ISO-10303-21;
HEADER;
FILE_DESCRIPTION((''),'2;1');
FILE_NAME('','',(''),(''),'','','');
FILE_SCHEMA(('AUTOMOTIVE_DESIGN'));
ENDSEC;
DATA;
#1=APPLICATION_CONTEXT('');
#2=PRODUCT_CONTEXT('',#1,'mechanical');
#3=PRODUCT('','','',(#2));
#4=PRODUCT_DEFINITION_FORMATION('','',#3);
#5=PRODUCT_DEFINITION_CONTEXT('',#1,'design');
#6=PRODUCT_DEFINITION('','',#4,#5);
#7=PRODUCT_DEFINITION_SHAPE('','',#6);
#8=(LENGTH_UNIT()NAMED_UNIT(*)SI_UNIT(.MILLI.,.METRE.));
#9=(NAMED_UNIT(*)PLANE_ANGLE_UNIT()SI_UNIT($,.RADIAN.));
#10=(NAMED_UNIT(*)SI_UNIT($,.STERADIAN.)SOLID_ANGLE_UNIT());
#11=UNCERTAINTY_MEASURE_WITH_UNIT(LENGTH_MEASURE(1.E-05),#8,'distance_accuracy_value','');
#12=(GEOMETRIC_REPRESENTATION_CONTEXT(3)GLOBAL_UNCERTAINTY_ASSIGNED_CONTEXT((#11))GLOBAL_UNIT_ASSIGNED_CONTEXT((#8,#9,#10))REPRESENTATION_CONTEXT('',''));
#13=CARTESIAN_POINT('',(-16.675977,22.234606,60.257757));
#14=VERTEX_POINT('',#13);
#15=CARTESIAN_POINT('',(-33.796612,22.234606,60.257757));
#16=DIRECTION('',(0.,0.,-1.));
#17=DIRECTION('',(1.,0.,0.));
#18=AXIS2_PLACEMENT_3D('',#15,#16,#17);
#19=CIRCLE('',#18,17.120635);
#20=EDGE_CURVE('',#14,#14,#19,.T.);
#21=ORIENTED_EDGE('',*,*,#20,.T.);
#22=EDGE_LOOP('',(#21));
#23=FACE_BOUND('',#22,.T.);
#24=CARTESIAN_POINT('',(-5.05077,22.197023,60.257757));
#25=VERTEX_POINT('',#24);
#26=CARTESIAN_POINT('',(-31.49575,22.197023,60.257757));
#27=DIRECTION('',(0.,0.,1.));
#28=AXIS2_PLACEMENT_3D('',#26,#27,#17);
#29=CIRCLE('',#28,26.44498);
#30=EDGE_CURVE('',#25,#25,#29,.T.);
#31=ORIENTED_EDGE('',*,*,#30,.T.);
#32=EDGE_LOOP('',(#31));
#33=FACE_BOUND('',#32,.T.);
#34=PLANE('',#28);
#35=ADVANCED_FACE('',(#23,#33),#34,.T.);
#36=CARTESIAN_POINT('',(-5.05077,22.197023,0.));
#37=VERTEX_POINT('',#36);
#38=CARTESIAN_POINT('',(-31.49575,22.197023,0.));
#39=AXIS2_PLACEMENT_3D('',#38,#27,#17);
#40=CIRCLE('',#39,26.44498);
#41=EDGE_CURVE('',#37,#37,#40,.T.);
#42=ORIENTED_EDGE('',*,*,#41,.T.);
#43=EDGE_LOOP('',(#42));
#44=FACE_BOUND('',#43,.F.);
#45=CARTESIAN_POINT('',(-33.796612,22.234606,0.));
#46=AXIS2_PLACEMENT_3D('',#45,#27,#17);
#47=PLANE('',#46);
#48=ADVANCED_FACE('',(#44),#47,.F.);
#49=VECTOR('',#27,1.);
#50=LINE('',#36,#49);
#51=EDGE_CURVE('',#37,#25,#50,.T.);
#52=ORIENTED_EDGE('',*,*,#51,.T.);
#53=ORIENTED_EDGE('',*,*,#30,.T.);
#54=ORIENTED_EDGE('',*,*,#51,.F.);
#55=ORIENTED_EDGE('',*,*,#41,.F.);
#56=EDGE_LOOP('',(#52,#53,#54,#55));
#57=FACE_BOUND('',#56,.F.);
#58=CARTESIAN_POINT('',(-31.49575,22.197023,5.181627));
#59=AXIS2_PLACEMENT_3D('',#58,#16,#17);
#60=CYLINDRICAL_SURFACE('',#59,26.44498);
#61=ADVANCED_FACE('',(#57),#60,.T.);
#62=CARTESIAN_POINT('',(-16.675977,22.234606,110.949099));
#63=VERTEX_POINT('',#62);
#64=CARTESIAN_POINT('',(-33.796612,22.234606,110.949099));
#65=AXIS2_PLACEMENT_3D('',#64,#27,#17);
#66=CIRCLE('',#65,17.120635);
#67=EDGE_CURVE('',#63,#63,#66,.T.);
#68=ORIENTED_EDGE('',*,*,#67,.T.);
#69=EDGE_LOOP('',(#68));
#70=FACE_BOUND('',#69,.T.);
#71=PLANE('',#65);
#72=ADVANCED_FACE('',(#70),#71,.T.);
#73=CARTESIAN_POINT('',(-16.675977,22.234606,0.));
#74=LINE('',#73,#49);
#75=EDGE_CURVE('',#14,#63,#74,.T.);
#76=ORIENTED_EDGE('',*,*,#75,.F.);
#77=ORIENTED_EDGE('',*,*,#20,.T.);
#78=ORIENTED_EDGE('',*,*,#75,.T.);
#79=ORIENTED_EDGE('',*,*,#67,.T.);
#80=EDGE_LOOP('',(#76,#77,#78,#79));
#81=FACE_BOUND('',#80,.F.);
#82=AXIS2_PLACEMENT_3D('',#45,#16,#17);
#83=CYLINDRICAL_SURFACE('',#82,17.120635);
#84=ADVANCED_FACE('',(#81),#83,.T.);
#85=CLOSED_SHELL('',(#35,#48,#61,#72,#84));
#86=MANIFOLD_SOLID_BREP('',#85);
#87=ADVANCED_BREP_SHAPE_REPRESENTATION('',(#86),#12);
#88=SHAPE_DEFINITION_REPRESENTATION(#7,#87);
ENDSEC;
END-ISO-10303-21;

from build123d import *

# Parameters (mm, degrees)
F0_R      = 26.44498
F1_DEPTH  = 5.181627
F1_FACE_R = 26.44498
F2_DEPTH  = 55.07613
F3_R      = 17.120635
F4_DEPTH  = 110.949099


with BuildPart() as f1:
    # F0 (on Top) → F1 (new body)
    with BuildSketch(Plane.XY):
        with Locations((-31.49575, 22.197023)):
            Circle(F0_R)
    extrude(amount=F1_DEPTH)

    # F1_face (on face) → F2 (join)
    with BuildSketch(Plane(origin=(-31.49575, 22.197023, 5.181627), x_dir=(1, 0, 0), z_dir=(0, 0, 1))):
        Circle(F1_FACE_R)
    extrude(amount=F2_DEPTH)

    # F3 (on Top) → F4 (join)
    with BuildSketch(Plane.XY):
        with Locations((-33.796612, 22.234606)):
            Circle(F3_R)
    extrude(amount=F4_DEPTH)


solid = f1.part
